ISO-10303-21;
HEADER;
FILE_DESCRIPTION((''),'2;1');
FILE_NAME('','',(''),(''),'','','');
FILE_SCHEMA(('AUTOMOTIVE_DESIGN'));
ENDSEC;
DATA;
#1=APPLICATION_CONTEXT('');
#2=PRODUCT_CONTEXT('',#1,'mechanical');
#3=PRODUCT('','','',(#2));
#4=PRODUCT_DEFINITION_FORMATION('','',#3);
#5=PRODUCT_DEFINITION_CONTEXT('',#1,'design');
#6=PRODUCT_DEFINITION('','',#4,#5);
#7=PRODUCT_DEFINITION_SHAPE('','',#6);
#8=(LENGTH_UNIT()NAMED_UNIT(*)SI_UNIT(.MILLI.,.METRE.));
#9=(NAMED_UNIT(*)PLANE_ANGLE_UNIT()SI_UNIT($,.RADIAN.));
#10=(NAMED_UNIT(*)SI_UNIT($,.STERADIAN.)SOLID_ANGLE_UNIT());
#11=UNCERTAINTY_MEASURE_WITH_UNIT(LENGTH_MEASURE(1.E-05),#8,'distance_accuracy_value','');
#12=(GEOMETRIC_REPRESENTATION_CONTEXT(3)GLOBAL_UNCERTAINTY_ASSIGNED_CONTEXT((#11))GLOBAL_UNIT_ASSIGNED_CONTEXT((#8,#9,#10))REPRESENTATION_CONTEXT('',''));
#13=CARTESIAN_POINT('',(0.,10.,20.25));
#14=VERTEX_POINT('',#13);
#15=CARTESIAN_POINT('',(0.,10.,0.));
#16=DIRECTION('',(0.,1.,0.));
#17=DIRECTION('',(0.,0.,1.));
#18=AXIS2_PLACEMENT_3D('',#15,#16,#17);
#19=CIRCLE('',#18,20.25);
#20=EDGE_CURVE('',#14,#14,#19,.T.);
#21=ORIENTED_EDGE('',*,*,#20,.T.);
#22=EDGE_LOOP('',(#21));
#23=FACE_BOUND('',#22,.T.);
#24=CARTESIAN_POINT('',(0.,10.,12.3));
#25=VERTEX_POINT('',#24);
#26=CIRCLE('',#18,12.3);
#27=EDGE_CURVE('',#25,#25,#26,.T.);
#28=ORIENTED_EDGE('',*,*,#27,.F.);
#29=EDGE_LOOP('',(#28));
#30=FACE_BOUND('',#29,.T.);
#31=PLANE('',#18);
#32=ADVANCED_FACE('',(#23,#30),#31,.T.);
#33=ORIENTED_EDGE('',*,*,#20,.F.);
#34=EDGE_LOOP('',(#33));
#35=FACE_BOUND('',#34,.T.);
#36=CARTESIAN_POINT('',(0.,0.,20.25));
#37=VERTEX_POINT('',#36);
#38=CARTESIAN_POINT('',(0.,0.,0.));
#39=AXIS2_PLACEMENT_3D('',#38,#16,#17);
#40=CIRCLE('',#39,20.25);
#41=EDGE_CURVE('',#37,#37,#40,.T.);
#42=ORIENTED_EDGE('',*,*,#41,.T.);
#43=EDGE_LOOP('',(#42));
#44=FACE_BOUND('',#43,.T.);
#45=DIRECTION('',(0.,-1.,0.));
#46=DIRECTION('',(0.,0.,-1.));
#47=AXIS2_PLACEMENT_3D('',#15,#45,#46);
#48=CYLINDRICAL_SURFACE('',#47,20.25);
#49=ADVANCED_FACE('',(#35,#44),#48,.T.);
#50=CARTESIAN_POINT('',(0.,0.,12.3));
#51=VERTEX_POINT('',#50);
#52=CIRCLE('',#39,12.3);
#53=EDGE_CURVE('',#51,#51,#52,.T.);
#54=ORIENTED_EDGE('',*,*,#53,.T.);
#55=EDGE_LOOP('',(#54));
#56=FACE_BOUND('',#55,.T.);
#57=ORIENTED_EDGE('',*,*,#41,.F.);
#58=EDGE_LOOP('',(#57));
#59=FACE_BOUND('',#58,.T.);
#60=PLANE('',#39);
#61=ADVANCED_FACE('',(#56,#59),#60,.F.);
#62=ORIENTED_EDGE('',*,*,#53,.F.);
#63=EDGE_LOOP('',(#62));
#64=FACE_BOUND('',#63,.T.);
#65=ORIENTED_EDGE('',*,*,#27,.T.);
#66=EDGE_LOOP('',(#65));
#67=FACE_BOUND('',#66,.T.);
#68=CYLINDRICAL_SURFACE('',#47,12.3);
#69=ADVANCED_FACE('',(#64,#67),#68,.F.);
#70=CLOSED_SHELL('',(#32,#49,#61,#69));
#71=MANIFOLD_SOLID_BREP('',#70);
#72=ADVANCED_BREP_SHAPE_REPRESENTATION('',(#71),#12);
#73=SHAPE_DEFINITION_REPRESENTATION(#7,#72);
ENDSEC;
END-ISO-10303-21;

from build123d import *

# Parameters (mm, degrees)
SKETCH_1_R      = 20.25
SKETCH_1_R_2    = 12.3
EXTRUDE_1_DEPTH = 10


with BuildPart() as part:
    # Эскиз1 → Бобышка-Вытянуть1 (new body)
    with BuildSketch(Plane(origin=(0, 0, 0), x_dir=(1, 0, 0), z_dir=(0, 1, 0))):
        Circle(SKETCH_1_R)
        Circle(SKETCH_1_R_2, mode=Mode.SUBTRACT)
    extrude(amount=EXTRUDE_1_DEPTH)


solid = part.part
